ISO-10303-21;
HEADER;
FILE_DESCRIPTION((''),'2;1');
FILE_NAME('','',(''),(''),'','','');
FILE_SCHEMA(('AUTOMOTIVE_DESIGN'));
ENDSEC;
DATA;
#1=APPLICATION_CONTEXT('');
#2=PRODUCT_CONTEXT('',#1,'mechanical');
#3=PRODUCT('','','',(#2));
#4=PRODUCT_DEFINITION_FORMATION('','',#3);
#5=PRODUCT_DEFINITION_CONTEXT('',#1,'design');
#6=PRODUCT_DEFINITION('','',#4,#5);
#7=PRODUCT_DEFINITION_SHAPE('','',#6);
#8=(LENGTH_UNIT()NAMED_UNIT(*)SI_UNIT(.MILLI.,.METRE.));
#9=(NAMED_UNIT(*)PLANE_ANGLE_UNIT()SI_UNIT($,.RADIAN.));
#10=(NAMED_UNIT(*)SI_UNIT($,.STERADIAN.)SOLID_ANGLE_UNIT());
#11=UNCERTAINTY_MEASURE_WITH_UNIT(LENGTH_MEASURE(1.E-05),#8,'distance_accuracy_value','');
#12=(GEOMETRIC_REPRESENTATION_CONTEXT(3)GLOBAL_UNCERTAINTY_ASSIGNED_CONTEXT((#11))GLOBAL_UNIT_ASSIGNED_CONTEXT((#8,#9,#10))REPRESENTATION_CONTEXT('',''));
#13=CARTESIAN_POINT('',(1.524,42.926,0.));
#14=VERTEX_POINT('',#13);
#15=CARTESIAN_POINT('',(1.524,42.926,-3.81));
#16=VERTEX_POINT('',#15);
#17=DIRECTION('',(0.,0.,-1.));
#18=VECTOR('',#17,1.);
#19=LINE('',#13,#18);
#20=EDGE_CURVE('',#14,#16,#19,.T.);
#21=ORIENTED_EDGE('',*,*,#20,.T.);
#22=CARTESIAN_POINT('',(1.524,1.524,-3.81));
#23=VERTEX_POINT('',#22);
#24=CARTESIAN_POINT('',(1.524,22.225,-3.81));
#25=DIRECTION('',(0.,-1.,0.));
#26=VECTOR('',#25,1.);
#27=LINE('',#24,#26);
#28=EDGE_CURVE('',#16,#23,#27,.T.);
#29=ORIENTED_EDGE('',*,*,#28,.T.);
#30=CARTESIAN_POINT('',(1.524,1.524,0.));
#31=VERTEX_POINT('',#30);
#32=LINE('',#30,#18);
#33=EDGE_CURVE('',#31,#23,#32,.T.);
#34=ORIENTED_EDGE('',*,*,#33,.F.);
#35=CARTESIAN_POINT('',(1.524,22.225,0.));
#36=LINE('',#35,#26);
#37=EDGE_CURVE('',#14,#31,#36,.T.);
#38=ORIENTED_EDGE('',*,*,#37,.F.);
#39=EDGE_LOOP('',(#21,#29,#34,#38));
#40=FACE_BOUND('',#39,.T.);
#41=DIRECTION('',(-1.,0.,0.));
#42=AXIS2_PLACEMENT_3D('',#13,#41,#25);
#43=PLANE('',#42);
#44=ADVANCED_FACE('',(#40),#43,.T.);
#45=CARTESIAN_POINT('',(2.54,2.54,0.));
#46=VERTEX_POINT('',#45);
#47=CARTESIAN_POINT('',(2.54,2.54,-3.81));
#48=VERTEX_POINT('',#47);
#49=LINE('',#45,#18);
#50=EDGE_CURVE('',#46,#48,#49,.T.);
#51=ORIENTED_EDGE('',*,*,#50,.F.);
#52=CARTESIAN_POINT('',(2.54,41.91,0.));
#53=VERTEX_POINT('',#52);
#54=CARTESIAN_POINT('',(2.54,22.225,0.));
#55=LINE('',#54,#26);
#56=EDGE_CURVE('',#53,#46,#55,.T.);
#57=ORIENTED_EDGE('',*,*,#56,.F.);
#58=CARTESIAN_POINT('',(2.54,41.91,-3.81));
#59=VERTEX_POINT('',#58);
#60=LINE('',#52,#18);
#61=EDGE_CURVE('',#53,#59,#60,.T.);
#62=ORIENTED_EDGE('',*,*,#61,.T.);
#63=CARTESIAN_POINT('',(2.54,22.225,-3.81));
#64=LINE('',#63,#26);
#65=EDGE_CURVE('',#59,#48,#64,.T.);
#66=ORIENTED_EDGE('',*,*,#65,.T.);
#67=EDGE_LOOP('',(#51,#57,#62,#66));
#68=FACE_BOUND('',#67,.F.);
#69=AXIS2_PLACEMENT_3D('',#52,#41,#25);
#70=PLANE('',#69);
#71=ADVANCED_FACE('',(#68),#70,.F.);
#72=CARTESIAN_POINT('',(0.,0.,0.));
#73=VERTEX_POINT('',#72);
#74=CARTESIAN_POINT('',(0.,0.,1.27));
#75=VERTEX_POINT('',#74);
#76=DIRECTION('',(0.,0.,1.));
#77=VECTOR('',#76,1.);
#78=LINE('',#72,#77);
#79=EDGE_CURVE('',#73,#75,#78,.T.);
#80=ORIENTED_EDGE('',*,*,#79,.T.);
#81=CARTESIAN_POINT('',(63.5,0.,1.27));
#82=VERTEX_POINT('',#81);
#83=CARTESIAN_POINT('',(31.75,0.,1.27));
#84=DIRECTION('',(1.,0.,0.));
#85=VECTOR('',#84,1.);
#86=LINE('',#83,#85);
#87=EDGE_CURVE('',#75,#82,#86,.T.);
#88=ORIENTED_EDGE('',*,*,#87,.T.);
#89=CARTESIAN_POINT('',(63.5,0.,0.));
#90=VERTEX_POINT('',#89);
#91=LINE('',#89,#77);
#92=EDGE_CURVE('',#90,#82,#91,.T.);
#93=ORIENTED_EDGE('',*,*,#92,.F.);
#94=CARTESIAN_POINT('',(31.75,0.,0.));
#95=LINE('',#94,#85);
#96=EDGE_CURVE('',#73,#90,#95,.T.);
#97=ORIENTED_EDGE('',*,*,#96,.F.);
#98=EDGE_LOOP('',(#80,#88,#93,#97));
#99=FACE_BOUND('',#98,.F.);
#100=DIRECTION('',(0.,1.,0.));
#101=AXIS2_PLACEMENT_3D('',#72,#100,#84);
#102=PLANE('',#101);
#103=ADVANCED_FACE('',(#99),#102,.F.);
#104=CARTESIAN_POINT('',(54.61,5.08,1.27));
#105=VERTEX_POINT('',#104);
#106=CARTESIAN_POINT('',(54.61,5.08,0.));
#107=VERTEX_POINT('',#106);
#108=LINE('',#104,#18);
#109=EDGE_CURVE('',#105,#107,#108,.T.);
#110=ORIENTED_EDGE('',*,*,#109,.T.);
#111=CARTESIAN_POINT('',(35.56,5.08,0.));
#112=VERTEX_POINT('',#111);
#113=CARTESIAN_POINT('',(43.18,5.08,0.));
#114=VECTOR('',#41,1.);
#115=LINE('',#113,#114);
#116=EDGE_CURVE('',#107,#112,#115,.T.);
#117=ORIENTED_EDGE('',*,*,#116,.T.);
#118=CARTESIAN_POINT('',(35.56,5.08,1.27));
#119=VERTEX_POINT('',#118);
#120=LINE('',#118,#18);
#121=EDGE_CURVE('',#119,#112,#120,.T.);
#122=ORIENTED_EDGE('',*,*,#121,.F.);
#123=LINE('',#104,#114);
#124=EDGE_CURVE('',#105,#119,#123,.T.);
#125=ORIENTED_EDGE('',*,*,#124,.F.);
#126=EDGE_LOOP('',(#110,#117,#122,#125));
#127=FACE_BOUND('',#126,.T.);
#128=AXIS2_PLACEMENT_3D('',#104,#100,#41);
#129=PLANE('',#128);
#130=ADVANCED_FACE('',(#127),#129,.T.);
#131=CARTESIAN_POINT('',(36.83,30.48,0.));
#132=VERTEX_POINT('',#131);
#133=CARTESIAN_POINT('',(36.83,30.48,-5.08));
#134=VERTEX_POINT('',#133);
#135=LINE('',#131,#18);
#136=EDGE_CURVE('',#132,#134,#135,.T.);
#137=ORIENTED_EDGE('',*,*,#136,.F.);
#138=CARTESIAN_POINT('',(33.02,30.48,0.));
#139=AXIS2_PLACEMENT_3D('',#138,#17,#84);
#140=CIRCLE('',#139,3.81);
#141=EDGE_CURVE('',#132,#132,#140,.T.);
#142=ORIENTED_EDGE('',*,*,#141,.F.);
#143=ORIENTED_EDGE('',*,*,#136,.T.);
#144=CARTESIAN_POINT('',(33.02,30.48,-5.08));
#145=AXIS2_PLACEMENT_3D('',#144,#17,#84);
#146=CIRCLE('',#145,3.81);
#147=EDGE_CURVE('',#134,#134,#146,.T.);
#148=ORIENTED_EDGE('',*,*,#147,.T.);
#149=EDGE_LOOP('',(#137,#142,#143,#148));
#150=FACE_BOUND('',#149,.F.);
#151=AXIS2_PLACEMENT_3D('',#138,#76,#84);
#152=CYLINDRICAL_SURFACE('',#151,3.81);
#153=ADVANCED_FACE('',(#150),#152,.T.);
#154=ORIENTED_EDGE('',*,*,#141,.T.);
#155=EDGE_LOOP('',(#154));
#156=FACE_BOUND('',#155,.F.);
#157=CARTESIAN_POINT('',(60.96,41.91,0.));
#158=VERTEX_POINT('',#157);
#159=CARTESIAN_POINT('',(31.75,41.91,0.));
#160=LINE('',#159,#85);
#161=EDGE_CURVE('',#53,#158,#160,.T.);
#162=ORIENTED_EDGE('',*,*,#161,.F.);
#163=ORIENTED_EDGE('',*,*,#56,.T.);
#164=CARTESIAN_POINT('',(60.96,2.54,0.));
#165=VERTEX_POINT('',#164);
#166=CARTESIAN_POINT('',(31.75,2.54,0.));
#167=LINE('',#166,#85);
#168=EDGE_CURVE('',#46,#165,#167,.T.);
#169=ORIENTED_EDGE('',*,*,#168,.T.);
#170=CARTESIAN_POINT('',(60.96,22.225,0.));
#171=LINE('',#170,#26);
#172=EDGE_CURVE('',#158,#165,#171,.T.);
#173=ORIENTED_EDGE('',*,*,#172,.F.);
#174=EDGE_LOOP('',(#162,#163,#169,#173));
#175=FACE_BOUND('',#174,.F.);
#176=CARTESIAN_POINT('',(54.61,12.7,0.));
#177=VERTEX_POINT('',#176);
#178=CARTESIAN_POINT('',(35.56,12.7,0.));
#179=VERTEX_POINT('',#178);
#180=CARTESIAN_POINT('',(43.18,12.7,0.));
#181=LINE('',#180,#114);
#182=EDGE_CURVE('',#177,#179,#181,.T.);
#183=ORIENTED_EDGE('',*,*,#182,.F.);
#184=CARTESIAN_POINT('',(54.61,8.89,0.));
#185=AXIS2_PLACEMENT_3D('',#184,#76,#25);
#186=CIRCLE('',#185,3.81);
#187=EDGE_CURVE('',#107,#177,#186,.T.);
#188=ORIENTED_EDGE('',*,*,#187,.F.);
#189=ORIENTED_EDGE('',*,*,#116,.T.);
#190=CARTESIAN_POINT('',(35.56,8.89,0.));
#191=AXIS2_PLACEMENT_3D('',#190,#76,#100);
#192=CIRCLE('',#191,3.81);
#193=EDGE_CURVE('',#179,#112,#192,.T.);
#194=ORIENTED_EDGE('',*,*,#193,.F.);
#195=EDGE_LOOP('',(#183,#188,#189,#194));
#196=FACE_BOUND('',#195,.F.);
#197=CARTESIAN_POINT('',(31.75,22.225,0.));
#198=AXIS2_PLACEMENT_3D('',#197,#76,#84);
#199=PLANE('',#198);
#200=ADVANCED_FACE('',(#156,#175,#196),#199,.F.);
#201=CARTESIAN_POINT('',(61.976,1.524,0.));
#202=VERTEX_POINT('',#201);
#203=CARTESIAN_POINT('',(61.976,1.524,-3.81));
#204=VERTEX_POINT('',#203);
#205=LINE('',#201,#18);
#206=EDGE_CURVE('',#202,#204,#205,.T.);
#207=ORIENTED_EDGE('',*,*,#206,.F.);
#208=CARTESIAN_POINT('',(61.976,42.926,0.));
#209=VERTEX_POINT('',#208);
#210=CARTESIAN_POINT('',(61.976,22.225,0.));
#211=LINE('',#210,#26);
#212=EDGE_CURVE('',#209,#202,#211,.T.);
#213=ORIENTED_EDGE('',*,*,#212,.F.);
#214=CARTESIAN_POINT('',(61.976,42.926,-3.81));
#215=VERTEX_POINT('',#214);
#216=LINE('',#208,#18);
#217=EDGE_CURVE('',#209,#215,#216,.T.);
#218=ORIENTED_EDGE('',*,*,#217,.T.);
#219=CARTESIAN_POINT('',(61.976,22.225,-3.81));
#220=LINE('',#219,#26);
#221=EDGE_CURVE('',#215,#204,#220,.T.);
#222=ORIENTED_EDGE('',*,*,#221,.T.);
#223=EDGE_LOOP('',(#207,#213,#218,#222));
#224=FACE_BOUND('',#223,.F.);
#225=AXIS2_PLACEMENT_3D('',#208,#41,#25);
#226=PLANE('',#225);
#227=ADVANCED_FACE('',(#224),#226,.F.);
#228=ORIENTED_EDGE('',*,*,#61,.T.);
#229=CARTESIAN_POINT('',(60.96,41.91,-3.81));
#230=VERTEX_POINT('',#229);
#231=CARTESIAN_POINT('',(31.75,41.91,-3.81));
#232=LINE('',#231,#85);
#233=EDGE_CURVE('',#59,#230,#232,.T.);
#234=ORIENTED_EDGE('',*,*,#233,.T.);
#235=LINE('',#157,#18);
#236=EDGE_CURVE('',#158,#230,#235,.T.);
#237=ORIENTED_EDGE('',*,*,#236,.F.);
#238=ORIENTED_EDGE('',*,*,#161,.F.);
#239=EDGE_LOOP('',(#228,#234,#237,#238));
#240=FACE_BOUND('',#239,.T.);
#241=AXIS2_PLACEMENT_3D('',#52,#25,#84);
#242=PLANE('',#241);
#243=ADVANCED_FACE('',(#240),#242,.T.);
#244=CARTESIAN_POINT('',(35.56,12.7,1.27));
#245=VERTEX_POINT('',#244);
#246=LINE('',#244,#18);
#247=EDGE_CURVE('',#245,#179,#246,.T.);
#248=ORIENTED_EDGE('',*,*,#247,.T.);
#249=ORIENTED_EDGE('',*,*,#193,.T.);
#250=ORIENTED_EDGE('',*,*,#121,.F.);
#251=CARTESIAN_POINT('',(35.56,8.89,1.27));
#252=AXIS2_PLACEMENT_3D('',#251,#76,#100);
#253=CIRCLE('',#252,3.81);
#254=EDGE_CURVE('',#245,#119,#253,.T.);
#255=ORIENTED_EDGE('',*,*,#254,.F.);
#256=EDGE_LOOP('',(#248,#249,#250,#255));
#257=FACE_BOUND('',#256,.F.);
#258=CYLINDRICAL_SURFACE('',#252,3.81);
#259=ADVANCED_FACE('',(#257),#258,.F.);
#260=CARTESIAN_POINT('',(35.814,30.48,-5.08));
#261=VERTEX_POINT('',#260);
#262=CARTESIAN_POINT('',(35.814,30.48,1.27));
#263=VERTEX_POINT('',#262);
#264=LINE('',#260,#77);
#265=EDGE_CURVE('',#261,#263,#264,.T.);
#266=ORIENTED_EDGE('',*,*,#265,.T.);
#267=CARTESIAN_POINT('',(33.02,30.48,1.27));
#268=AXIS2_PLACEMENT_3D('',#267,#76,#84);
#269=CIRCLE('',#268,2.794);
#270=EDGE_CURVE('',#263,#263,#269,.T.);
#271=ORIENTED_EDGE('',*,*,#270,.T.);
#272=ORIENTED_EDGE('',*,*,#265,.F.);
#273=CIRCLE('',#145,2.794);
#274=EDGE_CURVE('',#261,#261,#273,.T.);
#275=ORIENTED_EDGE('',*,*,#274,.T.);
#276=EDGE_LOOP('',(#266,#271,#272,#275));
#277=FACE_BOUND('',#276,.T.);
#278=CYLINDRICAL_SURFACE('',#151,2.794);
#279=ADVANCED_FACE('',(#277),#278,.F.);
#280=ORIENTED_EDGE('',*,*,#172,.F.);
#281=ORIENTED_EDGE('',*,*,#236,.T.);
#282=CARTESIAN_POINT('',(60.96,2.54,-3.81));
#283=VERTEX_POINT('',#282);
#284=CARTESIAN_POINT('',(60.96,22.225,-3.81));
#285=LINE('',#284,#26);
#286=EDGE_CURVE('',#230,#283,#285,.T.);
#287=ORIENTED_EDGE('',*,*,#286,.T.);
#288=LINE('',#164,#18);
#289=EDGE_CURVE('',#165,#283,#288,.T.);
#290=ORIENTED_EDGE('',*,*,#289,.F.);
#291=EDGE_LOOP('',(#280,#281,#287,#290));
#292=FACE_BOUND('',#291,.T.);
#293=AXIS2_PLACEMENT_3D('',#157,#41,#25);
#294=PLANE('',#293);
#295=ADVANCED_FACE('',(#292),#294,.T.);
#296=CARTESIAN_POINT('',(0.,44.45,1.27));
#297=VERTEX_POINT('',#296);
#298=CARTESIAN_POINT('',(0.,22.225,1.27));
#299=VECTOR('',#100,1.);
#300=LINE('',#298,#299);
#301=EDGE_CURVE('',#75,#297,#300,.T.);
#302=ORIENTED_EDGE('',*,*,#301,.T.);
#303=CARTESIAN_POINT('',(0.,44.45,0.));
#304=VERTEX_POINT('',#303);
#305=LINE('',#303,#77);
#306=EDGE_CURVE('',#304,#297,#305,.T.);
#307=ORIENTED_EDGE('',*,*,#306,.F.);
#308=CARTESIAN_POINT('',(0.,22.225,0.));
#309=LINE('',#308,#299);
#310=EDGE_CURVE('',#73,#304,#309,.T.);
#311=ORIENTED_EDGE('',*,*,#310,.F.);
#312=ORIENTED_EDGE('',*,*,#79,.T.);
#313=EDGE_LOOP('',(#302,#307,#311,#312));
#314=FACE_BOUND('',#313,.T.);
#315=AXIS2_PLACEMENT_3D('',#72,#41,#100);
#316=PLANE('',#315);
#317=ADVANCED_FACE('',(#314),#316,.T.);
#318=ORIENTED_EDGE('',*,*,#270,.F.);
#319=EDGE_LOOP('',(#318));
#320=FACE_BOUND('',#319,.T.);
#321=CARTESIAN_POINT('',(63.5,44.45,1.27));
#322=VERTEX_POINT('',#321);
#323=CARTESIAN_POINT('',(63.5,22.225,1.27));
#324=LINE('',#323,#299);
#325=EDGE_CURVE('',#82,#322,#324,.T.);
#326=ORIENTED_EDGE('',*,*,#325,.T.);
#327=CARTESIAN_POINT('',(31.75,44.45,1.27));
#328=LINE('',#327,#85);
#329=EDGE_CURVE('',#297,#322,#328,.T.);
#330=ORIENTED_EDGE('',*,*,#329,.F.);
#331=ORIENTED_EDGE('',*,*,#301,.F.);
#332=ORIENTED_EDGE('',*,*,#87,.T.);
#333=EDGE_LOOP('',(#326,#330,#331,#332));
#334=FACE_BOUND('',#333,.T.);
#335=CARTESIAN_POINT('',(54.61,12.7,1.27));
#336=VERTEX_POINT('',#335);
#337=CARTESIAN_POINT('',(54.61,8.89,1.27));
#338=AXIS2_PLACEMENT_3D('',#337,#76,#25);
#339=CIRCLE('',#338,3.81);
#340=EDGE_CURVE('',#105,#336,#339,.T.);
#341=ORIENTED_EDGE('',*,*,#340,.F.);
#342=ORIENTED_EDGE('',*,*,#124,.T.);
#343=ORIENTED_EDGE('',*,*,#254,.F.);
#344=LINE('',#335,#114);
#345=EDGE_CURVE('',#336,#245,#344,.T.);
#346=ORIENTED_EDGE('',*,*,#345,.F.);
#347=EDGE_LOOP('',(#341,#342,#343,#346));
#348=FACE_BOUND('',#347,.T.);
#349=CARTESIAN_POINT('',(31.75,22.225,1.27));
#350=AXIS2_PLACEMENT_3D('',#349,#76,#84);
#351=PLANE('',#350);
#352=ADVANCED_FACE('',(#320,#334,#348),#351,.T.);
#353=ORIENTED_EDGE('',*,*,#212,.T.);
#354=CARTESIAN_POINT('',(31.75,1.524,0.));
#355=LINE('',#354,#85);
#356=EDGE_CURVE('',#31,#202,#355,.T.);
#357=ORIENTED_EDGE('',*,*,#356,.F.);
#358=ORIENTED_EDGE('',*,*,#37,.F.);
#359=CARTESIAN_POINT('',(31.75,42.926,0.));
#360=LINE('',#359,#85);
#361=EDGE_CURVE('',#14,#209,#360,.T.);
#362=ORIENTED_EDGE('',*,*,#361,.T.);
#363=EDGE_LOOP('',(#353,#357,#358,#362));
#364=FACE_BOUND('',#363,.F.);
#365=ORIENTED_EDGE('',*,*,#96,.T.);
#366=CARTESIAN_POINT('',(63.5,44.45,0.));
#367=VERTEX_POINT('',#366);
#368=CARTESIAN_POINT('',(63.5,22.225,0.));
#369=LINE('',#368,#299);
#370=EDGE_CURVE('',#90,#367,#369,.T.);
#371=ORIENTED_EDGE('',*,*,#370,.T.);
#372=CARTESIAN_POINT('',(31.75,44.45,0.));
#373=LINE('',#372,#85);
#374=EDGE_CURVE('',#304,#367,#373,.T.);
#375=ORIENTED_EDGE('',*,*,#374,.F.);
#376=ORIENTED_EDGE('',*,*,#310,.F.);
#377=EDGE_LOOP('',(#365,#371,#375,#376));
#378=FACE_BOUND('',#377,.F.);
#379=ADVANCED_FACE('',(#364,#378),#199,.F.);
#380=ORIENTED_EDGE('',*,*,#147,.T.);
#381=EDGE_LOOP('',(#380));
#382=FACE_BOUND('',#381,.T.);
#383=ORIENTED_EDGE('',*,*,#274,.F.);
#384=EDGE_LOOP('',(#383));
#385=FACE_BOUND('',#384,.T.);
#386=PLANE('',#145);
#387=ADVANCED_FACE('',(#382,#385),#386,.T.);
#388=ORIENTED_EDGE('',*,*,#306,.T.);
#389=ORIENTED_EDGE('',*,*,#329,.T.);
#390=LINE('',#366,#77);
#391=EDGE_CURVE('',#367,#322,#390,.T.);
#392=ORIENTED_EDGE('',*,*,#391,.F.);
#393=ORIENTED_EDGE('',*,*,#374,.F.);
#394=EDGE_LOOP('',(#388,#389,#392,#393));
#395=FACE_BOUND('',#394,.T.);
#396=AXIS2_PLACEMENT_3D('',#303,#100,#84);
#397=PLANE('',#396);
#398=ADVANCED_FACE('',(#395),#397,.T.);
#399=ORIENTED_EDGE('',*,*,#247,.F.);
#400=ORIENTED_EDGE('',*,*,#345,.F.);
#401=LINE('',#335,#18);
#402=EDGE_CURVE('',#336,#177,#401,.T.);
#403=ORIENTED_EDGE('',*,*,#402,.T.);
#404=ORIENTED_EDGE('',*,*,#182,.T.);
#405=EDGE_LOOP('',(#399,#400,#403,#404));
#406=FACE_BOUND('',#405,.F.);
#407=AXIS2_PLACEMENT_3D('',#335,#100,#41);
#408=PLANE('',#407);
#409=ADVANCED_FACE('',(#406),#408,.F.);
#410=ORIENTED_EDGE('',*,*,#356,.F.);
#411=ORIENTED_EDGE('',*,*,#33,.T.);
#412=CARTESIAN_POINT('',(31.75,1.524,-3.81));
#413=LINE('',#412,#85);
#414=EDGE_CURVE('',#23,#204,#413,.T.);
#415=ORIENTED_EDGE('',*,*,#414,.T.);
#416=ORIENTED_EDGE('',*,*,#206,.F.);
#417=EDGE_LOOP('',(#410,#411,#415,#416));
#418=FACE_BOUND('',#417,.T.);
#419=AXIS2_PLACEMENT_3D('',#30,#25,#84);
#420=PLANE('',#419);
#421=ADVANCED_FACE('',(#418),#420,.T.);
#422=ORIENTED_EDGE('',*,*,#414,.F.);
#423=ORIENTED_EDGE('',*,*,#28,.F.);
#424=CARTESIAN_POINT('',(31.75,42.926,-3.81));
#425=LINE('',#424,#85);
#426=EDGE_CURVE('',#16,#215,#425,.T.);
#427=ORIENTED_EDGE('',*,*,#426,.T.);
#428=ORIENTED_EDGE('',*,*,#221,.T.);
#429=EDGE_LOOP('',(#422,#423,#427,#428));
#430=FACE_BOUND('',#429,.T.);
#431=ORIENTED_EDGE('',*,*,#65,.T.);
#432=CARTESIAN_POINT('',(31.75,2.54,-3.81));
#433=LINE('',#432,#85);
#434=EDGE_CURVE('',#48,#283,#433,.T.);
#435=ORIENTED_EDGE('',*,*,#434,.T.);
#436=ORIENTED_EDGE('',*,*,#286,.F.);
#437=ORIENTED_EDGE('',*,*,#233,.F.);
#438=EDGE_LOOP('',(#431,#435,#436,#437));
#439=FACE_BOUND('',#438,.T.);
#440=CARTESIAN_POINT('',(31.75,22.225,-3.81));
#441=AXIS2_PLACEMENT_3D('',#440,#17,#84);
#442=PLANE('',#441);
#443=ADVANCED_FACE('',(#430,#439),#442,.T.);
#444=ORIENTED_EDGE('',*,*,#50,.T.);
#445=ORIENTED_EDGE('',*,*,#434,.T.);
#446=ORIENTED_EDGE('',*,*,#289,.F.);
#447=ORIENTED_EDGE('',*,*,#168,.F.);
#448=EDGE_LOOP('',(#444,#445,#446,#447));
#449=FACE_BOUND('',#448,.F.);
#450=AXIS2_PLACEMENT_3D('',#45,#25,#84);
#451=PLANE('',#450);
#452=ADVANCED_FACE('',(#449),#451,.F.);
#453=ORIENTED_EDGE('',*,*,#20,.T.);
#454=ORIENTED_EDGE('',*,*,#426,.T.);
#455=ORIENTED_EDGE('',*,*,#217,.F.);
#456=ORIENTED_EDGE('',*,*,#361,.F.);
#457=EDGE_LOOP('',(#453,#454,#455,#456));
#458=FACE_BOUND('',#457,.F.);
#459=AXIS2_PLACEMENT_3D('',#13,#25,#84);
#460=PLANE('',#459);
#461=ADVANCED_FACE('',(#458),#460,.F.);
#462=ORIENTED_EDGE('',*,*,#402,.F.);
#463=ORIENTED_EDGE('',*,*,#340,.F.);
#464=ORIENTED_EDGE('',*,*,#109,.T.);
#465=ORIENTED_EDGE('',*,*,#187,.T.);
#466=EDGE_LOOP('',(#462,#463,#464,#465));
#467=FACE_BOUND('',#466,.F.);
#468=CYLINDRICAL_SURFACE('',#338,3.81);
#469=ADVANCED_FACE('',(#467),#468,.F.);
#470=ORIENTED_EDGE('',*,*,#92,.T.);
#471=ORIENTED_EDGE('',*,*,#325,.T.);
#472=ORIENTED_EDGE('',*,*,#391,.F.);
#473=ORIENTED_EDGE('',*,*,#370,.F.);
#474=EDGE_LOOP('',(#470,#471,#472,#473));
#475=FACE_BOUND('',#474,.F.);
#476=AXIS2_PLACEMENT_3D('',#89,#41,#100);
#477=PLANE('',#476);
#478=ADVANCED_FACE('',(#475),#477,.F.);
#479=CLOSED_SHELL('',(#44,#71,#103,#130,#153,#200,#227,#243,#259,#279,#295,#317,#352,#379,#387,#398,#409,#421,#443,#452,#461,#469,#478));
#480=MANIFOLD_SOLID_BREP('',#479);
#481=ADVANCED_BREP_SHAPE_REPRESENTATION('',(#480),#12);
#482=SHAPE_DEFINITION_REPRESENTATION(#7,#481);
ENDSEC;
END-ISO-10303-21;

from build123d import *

# Parameters (mm, degrees)
SKETCH_W      = 63.5
SKETCH_H      = 44.45
PAD_DEPTH     = 1.27
SKETCH001_W   = 60.452
SKETCH001_H   = 41.402
SKETCH001_W_2 = 58.42
SKETCH001_H_2 = 39.37
PAD001_DEPTH  = 3.81
SKETCH002_R   = 2.794
POCKET_DEPTH  = 5.081
SKETCH003_R   = 3.81
SKETCH003_R_2 = 2.794
PAD002_DEPTH  = 5.08


with BuildPart() as part:
    # Sketch → Pad (new body)
    with BuildSketch(Plane.XY):
        with Locations((31.75, 22.225)):
            Rectangle(SKETCH_W, SKETCH_H)
    extrude(amount=PAD_DEPTH)

    # Sketch001 (on Face5 of Pad) → Pad001 (join)
    with BuildSketch(Plane(origin=(0, 0, 0), x_dir=(1, 0, 0), z_dir=(0, 0, -1))):
        with Locations((31.75, -22.225)):
            Rectangle(SKETCH001_W, SKETCH001_H)
        with Locations((31.75, -22.225)):
            Rectangle(SKETCH001_W_2, SKETCH001_H_2, mode=Mode.SUBTRACT)
    extrude(amount=PAD001_DEPTH)

    # Sketch002 (on Face5 of Pad001) → Pocket (cut, through all)
    with BuildSketch(Plane.XY.offset(1.27)):
        with Locations((33.02, 30.48)):
            Circle(SKETCH002_R)
        with BuildLine():
            ThreePointArc((54.61, 5.08), (58.42, 8.89), (54.61, 12.7))
            Line((54.61, 12.7), (35.56, 12.7))
            ThreePointArc((35.56, 12.7), (31.75, 8.89), (35.56, 5.08))
            Line((54.61, 5.08), (35.56, 5.08))
        make_face()
    extrude(amount=-POCKET_DEPTH, mode=Mode.SUBTRACT)

    # Sketch003 (on Face17 of Pocket) → Pad002 (join)
    with BuildSketch(Plane(origin=(0, 0, 0), x_dir=(1, 0, 0), z_dir=(0, 0, -1))):
        with Locations((33.02, -30.48)):
            Circle(SKETCH003_R)
        with Locations((33.02, -30.48)):
            Circle(SKETCH003_R_2, mode=Mode.SUBTRACT)
    extrude(amount=PAD002_DEPTH)


solid = part.part
